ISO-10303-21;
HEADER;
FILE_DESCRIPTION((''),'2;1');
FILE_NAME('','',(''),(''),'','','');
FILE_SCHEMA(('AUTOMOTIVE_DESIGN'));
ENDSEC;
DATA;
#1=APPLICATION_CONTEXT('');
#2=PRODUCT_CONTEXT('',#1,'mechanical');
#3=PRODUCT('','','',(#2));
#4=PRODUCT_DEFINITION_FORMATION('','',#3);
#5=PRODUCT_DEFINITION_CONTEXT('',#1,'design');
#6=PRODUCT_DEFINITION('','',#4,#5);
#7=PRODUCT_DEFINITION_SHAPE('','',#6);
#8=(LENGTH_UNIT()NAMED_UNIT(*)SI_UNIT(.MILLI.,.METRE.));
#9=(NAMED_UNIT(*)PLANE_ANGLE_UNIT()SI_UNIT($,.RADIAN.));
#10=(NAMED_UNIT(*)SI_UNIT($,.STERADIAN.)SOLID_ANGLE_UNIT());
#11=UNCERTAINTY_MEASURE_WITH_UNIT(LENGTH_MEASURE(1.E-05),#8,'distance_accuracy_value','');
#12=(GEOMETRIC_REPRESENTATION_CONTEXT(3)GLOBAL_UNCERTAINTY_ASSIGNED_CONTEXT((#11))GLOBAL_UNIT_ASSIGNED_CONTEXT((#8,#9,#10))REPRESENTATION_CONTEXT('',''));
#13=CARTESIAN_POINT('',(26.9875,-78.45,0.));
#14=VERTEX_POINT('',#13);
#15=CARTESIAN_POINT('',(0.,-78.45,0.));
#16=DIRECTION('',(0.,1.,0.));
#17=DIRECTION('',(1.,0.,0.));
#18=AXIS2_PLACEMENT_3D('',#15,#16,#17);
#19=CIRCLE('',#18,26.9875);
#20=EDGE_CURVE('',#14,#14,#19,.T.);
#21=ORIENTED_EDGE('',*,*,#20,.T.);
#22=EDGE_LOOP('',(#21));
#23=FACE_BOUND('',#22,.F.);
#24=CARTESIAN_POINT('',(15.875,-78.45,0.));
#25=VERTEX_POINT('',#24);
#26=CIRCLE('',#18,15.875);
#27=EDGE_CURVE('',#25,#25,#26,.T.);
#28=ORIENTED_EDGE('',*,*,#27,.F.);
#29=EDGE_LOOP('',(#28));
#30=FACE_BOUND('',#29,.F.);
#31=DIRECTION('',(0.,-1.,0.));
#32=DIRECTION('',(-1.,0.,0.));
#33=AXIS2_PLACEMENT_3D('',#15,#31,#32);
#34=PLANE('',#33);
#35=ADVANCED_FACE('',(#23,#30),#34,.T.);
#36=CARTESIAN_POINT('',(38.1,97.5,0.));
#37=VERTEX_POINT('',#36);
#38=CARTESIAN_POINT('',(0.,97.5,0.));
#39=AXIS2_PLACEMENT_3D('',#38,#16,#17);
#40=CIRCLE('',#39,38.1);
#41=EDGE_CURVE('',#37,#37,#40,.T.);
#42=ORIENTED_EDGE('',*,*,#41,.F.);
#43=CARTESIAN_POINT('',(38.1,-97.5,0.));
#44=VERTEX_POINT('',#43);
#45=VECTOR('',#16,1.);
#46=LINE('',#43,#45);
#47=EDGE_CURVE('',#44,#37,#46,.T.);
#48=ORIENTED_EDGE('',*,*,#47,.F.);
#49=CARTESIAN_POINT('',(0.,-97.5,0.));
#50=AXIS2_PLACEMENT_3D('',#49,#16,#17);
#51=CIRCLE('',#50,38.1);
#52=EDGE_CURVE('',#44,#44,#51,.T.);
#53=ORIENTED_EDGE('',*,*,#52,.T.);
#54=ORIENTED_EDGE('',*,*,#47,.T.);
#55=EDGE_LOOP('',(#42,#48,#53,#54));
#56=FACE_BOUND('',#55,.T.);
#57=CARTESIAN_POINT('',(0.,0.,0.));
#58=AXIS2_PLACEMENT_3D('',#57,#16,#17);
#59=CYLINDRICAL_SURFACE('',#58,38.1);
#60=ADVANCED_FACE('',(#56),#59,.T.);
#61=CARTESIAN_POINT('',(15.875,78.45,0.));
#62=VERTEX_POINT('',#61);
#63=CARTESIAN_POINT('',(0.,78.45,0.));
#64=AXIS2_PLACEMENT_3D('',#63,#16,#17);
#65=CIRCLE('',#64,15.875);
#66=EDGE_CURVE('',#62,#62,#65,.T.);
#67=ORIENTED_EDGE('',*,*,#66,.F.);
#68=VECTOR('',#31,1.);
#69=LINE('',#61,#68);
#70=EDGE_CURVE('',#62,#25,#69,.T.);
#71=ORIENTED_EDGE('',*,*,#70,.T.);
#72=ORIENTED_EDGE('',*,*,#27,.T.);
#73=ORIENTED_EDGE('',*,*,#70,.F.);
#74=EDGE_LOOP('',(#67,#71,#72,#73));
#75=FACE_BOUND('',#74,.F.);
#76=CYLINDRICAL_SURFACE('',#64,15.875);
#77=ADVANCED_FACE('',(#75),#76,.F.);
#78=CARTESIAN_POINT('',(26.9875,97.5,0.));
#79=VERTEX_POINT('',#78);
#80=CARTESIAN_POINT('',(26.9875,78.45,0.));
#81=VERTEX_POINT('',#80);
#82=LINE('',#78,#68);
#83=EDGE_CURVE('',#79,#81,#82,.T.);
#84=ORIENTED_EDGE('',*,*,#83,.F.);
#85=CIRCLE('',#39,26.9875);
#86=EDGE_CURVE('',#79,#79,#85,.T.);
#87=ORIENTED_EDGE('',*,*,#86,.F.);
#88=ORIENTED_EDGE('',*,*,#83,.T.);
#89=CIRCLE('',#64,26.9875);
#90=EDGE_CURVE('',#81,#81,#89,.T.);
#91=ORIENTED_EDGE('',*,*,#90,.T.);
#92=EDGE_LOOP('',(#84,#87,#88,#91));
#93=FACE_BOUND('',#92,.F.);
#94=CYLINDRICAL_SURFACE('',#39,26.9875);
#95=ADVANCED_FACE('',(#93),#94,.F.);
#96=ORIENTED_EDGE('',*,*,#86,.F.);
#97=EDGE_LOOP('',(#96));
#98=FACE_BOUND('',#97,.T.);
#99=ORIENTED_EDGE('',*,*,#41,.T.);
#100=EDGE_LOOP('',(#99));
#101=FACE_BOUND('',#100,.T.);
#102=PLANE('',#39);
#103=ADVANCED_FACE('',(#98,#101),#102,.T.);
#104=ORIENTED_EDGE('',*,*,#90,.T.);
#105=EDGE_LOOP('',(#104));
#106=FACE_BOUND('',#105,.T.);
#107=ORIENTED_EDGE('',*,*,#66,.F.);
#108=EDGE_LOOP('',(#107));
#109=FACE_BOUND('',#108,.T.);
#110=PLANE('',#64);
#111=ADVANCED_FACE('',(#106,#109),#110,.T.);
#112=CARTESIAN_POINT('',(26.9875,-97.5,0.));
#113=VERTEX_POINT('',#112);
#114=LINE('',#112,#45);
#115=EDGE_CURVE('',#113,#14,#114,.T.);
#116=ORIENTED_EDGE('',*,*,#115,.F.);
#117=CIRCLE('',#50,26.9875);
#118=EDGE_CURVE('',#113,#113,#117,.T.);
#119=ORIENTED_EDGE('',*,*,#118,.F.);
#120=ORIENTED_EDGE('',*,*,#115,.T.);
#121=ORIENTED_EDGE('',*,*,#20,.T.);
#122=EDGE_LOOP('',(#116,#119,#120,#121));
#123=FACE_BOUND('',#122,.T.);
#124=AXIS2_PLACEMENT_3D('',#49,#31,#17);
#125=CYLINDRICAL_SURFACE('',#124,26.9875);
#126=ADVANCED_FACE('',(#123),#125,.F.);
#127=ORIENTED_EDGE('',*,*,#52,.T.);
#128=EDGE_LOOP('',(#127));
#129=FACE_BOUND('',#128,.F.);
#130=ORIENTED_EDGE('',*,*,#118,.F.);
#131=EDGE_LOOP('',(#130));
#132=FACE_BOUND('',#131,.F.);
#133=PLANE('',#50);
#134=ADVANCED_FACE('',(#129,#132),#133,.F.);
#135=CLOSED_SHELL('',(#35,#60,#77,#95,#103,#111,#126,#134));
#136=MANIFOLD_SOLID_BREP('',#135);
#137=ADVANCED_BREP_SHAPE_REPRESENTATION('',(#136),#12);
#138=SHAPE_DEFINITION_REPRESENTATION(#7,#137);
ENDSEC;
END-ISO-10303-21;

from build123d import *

# Parameters (mm, degrees)
BOSS_EXTRUDE1_DEPTH      = 97.5
BOSS_EXTRUDE1_DEPTH_BACK = 97.5
SKETCH1_R                = 38.1
SKETCH2_R                = 26.9875
CUT_EXTRUDE1_DEPTH       = 19.05
SKETCH3_R                = 15.875
CUT_EXTRUDE2_DEPTH       = 185.015277898


with BuildPart() as part:
    # Sketch1 → Boss-Extrude1 (new, two sides: drawn at the far end of the back side and taken through both)
    with BuildSketch(Plane(origin=(0, 0, 0), x_dir=(1, 0, 0), z_dir=(0, 1, 0)).offset(-BOSS_EXTRUDE1_DEPTH_BACK)):
        Circle(SKETCH1_R)
    extrude(amount=BOSS_EXTRUDE1_DEPTH + BOSS_EXTRUDE1_DEPTH_BACK)

    # Sketch2 → Cut-Extrude1 (cut)
    with BuildSketch(Plane(origin=(0, 97.5, 0), x_dir=(1, 0, 0), z_dir=(0, 1, 0))):
        Circle(SKETCH2_R)
    cut_extrude1 = extrude(amount=-CUT_EXTRUDE1_DEPTH, mode=Mode.SUBTRACT)

    # Mirror1: Cut-Extrude1 across plane
    add(cut_extrude1.mirror(Plane.ZX), mode=Mode.SUBTRACT)

    # Sketch3 → Cut-Extrude2 (cut, through all)
    with BuildSketch(Plane(origin=(0, 78.45, 0), x_dir=(1, 0, 0), z_dir=(0, 1, 0))):
        Circle(SKETCH3_R)
    extrude(amount=-CUT_EXTRUDE2_DEPTH, mode=Mode.SUBTRACT)


solid = part.part
